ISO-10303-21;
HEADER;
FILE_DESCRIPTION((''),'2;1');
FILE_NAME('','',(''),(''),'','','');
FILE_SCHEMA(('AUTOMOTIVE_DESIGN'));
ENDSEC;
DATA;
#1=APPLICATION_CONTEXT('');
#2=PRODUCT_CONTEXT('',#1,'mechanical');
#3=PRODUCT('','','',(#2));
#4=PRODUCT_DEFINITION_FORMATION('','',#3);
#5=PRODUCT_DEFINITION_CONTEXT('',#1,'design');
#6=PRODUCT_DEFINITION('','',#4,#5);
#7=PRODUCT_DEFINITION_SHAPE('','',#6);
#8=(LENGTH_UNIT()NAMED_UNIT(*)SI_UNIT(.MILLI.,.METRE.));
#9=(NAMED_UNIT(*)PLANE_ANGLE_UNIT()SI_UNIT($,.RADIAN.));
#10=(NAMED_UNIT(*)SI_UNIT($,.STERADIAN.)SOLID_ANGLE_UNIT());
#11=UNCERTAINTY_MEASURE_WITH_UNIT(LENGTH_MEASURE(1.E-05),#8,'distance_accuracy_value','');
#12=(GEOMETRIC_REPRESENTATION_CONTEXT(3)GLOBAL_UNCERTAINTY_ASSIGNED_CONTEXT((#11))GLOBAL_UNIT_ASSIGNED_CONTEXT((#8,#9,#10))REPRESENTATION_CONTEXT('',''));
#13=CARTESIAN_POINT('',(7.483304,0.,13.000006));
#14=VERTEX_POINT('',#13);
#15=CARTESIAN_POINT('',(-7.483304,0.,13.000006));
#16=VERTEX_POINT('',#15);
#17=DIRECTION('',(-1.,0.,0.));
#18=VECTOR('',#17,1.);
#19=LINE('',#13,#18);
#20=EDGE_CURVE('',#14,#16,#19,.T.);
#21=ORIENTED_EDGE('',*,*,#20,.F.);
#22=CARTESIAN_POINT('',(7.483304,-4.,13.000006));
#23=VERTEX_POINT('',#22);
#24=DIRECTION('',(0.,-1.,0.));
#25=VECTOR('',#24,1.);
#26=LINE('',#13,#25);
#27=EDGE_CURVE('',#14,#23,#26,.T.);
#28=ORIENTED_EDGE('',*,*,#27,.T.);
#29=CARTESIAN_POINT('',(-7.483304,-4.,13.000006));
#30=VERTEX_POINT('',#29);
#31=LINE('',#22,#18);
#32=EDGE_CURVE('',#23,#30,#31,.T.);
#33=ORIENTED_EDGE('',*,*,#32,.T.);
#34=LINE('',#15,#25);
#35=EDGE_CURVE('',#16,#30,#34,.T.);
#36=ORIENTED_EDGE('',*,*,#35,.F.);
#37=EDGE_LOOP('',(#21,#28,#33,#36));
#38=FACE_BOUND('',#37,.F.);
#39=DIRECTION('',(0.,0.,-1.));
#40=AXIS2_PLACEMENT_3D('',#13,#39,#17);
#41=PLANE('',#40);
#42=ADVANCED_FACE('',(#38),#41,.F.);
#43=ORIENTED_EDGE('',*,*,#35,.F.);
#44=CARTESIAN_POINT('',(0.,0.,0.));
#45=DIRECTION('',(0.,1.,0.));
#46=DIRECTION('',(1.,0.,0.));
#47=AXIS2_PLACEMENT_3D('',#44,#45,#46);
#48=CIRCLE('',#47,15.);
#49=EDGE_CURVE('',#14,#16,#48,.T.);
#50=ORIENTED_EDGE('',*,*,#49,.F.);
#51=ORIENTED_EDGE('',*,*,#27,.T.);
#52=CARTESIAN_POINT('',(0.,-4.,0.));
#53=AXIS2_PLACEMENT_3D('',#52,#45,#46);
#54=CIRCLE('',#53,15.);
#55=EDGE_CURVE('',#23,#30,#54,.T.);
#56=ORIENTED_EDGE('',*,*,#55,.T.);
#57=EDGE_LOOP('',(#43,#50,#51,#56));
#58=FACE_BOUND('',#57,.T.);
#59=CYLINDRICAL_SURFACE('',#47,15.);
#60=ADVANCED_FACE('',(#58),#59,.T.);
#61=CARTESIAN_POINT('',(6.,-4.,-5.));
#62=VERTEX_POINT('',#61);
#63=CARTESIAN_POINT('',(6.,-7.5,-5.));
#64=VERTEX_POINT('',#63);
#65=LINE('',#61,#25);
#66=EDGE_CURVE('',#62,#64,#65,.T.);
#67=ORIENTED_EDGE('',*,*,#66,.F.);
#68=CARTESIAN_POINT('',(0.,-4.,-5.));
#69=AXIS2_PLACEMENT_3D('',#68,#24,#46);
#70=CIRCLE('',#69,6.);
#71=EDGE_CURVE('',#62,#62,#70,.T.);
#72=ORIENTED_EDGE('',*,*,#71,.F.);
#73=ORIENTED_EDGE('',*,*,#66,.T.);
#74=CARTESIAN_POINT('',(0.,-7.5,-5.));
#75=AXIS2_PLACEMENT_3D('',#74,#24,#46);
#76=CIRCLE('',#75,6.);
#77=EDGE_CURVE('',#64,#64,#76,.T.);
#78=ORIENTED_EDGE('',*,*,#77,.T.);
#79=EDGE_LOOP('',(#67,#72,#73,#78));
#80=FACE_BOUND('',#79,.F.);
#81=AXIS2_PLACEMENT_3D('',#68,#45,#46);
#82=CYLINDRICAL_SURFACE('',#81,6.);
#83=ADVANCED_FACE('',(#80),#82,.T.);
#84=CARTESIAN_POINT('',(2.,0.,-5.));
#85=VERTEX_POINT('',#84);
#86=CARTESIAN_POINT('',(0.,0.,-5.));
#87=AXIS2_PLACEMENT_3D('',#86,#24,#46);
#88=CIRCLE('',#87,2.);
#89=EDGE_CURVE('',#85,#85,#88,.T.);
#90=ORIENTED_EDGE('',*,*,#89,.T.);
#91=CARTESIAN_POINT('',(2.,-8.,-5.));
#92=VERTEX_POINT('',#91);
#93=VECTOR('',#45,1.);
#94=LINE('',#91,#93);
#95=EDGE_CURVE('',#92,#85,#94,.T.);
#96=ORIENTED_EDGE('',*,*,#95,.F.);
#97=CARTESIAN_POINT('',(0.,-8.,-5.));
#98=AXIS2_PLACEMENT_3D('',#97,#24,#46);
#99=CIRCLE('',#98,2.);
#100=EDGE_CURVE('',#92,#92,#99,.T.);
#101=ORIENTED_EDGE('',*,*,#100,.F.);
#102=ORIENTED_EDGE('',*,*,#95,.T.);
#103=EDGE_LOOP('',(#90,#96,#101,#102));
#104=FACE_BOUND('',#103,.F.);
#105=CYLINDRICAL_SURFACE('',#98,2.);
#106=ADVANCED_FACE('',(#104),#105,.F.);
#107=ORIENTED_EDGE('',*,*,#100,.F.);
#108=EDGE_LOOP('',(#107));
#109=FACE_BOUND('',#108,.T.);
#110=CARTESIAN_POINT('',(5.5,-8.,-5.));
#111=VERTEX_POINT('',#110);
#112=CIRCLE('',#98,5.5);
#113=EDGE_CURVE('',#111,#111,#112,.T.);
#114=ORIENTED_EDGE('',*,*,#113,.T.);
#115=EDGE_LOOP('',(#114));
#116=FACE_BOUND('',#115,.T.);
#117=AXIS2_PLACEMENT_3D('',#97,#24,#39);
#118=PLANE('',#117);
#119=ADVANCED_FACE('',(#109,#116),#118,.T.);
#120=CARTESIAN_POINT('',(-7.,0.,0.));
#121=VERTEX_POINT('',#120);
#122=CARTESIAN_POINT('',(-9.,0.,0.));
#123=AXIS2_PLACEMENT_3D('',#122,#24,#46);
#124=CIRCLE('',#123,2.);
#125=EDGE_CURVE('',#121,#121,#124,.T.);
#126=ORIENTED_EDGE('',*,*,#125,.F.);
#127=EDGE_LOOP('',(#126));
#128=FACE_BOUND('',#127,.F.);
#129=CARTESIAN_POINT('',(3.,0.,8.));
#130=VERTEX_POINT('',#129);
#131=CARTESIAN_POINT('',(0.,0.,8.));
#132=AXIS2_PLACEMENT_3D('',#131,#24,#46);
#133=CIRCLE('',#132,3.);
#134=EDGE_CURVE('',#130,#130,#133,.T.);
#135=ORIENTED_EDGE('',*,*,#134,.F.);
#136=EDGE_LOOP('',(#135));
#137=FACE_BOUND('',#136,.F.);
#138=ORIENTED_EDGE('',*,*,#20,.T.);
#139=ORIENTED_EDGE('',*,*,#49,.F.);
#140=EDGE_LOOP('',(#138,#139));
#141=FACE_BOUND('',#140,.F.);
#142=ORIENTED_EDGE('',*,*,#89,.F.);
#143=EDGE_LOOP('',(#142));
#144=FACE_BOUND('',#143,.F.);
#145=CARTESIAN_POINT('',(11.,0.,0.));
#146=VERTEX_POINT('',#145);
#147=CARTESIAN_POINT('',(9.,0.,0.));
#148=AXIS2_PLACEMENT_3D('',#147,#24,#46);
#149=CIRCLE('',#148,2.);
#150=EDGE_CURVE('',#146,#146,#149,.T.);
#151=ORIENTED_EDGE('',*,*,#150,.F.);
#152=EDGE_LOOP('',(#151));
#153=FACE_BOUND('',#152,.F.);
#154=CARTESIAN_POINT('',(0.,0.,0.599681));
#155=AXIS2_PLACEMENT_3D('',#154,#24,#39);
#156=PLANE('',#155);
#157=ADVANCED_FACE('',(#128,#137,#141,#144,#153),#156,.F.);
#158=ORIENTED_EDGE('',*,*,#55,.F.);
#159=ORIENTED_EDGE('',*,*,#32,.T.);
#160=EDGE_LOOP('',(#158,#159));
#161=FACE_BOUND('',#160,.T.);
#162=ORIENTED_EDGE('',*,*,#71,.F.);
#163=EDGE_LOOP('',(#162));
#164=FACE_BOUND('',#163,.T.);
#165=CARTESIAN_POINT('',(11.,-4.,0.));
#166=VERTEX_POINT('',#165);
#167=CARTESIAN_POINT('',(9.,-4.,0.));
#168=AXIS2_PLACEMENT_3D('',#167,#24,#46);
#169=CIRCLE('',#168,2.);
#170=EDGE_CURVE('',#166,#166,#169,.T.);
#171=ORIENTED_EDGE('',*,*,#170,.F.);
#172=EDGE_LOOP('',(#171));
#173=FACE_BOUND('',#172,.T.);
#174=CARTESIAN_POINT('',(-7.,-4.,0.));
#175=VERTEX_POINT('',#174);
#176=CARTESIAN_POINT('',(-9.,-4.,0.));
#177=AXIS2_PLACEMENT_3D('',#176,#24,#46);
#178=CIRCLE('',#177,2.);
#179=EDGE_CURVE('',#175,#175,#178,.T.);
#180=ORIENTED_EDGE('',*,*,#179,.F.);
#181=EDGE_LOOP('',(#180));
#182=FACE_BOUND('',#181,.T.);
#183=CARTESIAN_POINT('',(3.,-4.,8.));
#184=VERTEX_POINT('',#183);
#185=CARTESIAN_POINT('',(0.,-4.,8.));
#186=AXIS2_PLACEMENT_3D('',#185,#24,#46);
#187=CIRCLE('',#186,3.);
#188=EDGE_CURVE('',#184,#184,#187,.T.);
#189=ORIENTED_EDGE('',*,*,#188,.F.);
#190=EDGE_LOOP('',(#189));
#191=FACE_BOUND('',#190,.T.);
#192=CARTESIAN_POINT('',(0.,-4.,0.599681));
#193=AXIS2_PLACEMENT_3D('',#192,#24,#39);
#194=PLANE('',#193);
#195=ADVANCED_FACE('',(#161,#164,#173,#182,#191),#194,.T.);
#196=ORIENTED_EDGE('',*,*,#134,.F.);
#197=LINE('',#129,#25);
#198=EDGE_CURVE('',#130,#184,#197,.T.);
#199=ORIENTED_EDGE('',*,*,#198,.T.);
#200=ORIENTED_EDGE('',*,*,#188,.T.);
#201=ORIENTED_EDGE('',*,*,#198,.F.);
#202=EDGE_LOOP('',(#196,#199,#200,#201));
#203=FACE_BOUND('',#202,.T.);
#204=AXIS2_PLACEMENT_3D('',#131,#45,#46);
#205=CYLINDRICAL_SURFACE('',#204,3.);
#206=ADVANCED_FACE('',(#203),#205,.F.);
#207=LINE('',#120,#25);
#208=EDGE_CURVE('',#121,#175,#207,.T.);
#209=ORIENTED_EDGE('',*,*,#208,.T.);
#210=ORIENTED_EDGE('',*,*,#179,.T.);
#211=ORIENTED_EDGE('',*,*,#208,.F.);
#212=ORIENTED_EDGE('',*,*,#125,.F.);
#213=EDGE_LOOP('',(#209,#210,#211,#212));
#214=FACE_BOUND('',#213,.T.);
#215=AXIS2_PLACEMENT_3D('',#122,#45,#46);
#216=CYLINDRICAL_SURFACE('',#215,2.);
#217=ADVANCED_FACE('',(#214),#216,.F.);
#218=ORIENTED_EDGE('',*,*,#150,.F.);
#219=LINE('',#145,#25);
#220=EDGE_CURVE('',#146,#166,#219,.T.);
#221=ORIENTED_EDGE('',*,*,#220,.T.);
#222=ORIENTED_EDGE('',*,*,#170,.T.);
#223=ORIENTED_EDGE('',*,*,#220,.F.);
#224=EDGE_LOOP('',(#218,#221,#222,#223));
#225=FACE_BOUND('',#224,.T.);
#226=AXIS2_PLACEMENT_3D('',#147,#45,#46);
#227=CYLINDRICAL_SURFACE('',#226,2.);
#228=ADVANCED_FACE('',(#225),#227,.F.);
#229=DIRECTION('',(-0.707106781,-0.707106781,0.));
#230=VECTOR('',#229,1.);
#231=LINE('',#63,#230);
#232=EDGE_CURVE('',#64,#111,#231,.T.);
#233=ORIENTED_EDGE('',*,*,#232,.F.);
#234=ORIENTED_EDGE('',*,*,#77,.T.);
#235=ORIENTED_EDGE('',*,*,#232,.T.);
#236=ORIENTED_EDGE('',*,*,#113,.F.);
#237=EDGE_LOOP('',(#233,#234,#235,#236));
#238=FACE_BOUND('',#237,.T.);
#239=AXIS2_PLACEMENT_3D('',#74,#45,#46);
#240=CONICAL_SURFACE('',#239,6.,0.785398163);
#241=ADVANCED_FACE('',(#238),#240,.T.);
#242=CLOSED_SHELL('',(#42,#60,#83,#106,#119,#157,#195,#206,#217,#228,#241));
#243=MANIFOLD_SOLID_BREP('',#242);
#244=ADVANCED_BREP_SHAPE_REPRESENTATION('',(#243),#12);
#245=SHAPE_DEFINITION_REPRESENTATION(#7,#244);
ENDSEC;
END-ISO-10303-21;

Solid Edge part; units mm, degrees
sketch "Sketch1" plane through (0, 0, 0) normal (0, -1, 0) x (1, 0, 0)
  line L0 (7.4833, 13) -> (-7.4833, 13)
  arc A0 (7.4833, 13) -> (-7.4833, 13) centre (0, 0) cw
  circle A1 centre (0, 8) radius 3
  circle A2 centre (-9, 0) radius 2
  circle A3 centre (9, 0) radius 2
extrude "Protrusion1" add sketch "Sketch1" along normal blind 4
sketch "Sketch2" plane through (0, -4, -1) normal (0, -1, 0) x (1, 0, 0)
  circle A0 centre (0, -4) radius 6
extrude "ExtrudedProtrusion_2" add sketch "Sketch2" along normal blind 4
sketch "Sketch3" plane through (0, -8, -5) normal (0, -1, 0) x (1, 0, 0)
  circle A0 centre (0, 0) radius 2
extrude "ExtrudedCutout_1" cut sketch "Sketch3" against normal blind 17.8884
chamfer "Chamfer_2" distance 0.5 angle 45 1 edges at (-6, -8, -5)
properties material "PVC"
